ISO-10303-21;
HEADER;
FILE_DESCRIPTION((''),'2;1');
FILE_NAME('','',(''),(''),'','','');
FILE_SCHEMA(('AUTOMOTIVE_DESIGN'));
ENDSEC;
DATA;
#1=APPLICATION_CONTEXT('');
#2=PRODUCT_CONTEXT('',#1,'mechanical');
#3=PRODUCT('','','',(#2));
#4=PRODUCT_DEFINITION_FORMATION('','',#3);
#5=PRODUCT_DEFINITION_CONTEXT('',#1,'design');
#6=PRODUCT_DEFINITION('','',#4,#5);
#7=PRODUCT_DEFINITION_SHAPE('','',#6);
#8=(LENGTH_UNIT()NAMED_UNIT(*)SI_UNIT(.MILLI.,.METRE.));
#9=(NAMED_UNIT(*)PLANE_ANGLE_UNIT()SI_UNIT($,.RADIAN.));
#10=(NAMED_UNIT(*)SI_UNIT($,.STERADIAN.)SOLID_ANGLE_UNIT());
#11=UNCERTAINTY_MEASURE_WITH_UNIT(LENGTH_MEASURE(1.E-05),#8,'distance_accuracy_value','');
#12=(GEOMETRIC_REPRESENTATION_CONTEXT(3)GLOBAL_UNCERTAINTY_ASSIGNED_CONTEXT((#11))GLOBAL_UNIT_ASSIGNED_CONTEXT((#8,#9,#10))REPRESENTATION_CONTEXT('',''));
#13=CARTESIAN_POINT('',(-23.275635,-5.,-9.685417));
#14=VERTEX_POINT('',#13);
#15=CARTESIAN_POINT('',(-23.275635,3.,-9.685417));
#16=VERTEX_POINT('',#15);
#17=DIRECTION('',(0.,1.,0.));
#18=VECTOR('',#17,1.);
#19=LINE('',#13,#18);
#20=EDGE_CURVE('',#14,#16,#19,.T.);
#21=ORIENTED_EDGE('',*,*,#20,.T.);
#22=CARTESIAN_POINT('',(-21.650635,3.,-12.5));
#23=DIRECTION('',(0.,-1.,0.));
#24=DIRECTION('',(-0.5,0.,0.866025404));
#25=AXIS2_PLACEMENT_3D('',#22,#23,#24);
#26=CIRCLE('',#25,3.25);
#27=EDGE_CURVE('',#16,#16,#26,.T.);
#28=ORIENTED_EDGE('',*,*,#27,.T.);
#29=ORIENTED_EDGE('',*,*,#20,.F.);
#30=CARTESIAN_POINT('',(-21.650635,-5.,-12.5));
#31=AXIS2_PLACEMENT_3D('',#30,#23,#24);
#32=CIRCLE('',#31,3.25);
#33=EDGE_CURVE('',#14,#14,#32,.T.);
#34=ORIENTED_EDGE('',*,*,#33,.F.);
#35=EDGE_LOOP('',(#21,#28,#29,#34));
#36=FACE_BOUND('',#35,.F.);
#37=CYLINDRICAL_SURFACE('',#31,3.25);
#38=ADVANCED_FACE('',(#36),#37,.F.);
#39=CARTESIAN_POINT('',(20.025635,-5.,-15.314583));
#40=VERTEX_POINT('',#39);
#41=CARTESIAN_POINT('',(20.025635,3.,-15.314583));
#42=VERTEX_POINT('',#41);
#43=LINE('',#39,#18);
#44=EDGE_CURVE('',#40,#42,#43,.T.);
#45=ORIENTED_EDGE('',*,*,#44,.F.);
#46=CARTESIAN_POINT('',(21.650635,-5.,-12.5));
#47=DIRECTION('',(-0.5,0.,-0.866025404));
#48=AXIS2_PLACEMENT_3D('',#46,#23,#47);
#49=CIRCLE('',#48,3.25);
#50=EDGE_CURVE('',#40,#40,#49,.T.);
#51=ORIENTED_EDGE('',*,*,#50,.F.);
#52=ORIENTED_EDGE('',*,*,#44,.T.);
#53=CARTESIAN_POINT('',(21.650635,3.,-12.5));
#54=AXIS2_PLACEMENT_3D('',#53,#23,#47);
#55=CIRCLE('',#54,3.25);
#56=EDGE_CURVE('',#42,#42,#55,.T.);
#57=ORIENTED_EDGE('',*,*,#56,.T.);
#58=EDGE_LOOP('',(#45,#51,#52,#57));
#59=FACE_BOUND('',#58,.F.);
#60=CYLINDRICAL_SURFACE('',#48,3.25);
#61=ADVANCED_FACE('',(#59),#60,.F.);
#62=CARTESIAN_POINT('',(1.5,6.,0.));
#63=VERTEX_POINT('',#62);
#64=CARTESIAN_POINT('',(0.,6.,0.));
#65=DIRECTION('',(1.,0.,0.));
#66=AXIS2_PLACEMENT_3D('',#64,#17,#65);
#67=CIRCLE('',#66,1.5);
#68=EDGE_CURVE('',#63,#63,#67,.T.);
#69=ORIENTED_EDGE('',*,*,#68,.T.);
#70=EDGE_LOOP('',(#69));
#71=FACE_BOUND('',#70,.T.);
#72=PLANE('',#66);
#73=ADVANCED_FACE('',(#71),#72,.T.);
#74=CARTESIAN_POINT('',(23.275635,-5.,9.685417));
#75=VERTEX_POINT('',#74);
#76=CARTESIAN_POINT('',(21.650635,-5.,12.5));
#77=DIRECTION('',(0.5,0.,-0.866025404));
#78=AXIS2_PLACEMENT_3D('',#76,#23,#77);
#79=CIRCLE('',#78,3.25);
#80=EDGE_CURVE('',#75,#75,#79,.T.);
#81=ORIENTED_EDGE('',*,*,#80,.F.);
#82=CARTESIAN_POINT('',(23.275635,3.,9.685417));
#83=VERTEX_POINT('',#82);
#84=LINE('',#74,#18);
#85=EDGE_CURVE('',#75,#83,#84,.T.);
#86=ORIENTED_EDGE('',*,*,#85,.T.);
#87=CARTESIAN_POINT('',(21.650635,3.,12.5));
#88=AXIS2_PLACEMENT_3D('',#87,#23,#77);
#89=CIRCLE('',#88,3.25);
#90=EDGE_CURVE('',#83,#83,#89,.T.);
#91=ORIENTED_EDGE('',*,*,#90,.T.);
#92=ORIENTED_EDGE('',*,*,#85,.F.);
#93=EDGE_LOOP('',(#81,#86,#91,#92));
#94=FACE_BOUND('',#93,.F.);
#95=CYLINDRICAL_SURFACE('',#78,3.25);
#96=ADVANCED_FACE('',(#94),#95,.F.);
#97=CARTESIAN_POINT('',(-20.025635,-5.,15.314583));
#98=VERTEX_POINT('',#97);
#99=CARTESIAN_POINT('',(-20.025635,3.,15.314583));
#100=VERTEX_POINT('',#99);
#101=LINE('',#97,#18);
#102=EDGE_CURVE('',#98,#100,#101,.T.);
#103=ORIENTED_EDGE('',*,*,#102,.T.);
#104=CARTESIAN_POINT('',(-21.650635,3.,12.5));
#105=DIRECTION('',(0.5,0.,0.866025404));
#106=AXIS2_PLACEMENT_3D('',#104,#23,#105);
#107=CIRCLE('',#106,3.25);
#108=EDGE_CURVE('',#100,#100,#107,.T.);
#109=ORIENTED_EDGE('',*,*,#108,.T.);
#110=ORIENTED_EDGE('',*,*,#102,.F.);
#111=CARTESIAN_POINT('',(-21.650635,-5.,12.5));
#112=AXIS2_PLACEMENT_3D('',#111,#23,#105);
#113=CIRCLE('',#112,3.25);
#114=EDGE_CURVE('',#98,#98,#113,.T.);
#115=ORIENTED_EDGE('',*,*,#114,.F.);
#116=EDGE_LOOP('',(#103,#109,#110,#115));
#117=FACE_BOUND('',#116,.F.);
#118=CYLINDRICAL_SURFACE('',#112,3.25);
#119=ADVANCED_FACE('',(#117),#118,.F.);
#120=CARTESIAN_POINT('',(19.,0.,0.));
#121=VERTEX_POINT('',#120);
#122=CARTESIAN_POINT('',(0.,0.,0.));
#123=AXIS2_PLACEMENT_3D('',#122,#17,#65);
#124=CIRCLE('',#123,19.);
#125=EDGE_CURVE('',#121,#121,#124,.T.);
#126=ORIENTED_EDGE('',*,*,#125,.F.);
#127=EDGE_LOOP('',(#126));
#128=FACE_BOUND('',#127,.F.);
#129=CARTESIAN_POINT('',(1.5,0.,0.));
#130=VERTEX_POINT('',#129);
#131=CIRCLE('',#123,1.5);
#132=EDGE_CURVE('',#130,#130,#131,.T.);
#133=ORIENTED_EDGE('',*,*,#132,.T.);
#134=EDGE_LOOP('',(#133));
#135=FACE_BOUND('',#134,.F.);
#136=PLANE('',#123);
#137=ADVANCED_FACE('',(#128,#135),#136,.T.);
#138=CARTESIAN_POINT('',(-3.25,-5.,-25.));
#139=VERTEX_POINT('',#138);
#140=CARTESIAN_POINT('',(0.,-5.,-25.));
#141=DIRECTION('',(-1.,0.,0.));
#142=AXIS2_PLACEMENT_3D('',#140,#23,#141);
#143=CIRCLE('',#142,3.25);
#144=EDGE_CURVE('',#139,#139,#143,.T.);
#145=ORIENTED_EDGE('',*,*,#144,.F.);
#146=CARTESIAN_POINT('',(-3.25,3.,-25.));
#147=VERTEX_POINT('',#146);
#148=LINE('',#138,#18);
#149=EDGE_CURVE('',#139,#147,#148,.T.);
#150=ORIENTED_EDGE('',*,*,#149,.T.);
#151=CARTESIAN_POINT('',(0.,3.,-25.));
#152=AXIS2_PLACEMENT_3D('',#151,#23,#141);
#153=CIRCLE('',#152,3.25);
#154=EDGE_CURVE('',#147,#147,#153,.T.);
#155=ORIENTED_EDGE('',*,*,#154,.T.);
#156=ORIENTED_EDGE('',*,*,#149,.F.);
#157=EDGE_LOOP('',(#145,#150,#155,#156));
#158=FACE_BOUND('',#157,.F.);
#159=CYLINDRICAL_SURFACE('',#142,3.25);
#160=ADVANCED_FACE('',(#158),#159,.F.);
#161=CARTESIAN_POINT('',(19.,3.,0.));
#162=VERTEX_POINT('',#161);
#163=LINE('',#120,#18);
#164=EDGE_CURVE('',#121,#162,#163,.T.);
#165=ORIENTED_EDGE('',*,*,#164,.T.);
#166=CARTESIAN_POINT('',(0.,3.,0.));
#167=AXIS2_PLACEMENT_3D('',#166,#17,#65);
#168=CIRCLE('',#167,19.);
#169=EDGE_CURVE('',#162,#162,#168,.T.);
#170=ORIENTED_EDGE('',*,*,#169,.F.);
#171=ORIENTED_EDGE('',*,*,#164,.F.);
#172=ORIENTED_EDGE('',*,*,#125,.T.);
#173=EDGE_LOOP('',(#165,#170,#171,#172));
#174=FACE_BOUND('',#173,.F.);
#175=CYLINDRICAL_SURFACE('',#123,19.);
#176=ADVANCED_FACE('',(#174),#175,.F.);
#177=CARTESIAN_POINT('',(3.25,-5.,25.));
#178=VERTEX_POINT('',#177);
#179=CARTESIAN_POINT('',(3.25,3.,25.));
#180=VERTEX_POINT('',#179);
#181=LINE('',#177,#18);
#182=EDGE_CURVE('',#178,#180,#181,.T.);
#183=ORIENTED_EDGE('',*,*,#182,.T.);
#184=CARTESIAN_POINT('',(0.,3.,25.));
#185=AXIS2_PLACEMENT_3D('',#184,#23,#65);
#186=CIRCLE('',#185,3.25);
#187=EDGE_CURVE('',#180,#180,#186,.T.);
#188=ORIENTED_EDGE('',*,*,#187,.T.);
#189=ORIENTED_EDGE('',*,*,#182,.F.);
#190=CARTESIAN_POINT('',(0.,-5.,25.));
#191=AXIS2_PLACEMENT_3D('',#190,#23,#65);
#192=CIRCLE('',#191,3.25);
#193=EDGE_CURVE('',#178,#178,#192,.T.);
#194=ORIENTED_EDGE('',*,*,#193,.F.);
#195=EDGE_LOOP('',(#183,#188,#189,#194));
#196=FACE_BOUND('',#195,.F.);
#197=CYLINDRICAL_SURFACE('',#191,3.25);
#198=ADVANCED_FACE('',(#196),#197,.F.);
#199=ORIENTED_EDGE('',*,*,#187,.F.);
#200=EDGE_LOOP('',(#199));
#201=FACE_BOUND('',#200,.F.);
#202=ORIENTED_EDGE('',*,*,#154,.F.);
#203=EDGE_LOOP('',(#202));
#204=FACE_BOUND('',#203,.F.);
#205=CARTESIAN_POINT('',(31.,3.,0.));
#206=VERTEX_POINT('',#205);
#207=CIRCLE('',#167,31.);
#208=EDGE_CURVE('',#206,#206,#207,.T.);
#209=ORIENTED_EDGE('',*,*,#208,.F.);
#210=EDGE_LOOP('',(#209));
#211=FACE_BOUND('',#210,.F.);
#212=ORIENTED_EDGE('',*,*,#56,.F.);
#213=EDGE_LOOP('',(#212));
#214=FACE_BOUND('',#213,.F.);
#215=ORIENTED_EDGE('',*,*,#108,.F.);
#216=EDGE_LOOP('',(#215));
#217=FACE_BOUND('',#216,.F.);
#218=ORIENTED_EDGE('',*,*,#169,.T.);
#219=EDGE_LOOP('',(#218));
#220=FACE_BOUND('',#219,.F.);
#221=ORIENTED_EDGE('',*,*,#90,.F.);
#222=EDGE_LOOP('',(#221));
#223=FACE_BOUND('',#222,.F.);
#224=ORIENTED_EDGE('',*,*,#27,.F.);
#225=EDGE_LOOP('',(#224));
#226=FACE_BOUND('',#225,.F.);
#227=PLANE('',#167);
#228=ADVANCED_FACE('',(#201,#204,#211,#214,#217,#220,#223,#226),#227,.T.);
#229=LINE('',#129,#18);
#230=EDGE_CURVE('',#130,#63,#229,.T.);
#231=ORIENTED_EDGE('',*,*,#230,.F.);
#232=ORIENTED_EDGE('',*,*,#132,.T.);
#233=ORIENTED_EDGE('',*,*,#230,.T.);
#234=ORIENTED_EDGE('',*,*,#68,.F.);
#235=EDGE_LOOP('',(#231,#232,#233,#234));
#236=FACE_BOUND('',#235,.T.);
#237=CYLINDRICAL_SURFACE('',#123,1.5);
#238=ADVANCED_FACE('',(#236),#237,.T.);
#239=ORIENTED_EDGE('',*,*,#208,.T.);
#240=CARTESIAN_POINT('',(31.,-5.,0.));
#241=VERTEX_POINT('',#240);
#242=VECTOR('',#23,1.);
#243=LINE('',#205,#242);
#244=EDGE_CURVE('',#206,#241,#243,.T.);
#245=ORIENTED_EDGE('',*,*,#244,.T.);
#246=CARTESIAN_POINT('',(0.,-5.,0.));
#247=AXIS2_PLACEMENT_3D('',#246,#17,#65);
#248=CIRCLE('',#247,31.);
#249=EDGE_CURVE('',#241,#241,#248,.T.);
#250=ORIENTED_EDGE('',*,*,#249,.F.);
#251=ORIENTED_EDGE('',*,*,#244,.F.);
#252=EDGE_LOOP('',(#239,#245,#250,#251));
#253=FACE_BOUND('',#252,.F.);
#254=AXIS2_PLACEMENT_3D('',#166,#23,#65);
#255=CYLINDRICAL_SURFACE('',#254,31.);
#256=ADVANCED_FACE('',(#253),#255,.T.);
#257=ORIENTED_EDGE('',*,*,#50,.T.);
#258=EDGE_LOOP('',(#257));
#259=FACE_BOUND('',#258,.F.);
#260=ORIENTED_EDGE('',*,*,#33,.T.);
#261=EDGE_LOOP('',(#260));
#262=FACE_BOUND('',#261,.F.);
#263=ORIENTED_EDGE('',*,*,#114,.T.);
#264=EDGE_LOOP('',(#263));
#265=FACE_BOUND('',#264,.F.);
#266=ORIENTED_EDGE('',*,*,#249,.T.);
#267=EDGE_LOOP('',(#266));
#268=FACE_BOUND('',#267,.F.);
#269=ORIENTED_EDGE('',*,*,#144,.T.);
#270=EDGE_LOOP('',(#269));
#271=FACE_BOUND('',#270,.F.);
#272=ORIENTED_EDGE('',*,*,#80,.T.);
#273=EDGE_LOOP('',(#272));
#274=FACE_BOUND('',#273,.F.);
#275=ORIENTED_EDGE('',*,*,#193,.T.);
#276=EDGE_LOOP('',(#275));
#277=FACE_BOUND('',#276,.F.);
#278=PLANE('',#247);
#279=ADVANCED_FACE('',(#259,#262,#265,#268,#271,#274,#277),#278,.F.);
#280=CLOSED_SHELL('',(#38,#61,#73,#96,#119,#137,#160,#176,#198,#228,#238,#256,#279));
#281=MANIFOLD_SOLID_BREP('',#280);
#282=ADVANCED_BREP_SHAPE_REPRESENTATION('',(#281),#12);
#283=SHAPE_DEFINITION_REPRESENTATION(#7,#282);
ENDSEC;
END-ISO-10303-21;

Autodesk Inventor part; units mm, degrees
ref_plane "YZ Plane" through (0, 0, 0) normal (1, 0, 0) x (0, 1, 0)
ref_plane "XZ Plane" through (0, 0, 0) normal (0, 1, 0) x (-1, 0, 0)
ref_plane "XY Plane" through (0, 0, 0) normal (0, 0, 1) x (1, 0, 0)
sketch "Sketch1" plane through (0, 0, 0) normal (0, 0, 1) x (1, 0, 0)
  line L0 (-6.2, 0) -> (37.2, 0) construction
  line L1 (0, -7.2) -> (0, 8.2) construction
  line L2 (1.5, 0) -> (19, 0)
  line L3 (1.5, 0) -> (1.5, 1.5)
  line L4 (19, 0) -> (19, 3)
  line L5 (17, 5) -> (14, 5)
  line L6 (10.5, 1.5) -> (1.5, 1.5)
  line L7 (10.5, 1.5) -> (14, 5)
  line L8 (10.5, 1.5) -> (15.4497, 1.5) construction
  arc A0 (19, 3) -> (17, 5) centre (17, 3) ccw
  line L9 (19, 3) -> (31, 3)
  line L10 (31, 3) -> (31, -5)
  line L11 (31, -5) -> (0, -5)
  line L12 (1.5, 6) -> (0, 6)
  line L13 (0, 6) -> (0, -5)
  line L14 (1.5, 1.5) -> (1.5, 6)
  point P0 (0, 0)
  point P1 (19, 5)
  dimension "d1" = 19
  dimension "d2" = 1.5
  dimension "d3" = 1.5
  dimension "d4" = 5
  dimension "d6" = 45
  dimension "d7" = 10.5
  dimension "d8" = 2
  dimension "d9" = 12
  dimension "d10" = 5
  dimension "d18" = 6
revolve "Revolution1" add sketch "Sketch1" angle 360 about axis through (0, -10, 0) along (0, 1, 0) contours L2 L4 L9 L10 L11 L13 L12 L14 L3
sketch "Sketch2" plane through (0, -5, 0) normal (0, -1, 0) x (1, 0, 0)
  circle A0 centre (0, 0) radius 31 construction
  circle A1 centre (0, 0) radius 19 construction
  circle A2 centre (0, 0) radius 19 construction
  line L0 (0, 19) -> (0, 31) construction
  circle A3 centre (0, 0) radius 31 construction
  circle A4 centre (0, 25) radius 3.25
  dimension "d12" = 6.5
extrude "Extrusion1" cut sketch "Sketch2" against normal up to surface (8 mm away)
pattern_circular "Circular Pattern1" count 6 over 360 about axis through (0, -1, 0) along (0, -1, 0) of "Extrusion1"
properties part number "MouldBase"
